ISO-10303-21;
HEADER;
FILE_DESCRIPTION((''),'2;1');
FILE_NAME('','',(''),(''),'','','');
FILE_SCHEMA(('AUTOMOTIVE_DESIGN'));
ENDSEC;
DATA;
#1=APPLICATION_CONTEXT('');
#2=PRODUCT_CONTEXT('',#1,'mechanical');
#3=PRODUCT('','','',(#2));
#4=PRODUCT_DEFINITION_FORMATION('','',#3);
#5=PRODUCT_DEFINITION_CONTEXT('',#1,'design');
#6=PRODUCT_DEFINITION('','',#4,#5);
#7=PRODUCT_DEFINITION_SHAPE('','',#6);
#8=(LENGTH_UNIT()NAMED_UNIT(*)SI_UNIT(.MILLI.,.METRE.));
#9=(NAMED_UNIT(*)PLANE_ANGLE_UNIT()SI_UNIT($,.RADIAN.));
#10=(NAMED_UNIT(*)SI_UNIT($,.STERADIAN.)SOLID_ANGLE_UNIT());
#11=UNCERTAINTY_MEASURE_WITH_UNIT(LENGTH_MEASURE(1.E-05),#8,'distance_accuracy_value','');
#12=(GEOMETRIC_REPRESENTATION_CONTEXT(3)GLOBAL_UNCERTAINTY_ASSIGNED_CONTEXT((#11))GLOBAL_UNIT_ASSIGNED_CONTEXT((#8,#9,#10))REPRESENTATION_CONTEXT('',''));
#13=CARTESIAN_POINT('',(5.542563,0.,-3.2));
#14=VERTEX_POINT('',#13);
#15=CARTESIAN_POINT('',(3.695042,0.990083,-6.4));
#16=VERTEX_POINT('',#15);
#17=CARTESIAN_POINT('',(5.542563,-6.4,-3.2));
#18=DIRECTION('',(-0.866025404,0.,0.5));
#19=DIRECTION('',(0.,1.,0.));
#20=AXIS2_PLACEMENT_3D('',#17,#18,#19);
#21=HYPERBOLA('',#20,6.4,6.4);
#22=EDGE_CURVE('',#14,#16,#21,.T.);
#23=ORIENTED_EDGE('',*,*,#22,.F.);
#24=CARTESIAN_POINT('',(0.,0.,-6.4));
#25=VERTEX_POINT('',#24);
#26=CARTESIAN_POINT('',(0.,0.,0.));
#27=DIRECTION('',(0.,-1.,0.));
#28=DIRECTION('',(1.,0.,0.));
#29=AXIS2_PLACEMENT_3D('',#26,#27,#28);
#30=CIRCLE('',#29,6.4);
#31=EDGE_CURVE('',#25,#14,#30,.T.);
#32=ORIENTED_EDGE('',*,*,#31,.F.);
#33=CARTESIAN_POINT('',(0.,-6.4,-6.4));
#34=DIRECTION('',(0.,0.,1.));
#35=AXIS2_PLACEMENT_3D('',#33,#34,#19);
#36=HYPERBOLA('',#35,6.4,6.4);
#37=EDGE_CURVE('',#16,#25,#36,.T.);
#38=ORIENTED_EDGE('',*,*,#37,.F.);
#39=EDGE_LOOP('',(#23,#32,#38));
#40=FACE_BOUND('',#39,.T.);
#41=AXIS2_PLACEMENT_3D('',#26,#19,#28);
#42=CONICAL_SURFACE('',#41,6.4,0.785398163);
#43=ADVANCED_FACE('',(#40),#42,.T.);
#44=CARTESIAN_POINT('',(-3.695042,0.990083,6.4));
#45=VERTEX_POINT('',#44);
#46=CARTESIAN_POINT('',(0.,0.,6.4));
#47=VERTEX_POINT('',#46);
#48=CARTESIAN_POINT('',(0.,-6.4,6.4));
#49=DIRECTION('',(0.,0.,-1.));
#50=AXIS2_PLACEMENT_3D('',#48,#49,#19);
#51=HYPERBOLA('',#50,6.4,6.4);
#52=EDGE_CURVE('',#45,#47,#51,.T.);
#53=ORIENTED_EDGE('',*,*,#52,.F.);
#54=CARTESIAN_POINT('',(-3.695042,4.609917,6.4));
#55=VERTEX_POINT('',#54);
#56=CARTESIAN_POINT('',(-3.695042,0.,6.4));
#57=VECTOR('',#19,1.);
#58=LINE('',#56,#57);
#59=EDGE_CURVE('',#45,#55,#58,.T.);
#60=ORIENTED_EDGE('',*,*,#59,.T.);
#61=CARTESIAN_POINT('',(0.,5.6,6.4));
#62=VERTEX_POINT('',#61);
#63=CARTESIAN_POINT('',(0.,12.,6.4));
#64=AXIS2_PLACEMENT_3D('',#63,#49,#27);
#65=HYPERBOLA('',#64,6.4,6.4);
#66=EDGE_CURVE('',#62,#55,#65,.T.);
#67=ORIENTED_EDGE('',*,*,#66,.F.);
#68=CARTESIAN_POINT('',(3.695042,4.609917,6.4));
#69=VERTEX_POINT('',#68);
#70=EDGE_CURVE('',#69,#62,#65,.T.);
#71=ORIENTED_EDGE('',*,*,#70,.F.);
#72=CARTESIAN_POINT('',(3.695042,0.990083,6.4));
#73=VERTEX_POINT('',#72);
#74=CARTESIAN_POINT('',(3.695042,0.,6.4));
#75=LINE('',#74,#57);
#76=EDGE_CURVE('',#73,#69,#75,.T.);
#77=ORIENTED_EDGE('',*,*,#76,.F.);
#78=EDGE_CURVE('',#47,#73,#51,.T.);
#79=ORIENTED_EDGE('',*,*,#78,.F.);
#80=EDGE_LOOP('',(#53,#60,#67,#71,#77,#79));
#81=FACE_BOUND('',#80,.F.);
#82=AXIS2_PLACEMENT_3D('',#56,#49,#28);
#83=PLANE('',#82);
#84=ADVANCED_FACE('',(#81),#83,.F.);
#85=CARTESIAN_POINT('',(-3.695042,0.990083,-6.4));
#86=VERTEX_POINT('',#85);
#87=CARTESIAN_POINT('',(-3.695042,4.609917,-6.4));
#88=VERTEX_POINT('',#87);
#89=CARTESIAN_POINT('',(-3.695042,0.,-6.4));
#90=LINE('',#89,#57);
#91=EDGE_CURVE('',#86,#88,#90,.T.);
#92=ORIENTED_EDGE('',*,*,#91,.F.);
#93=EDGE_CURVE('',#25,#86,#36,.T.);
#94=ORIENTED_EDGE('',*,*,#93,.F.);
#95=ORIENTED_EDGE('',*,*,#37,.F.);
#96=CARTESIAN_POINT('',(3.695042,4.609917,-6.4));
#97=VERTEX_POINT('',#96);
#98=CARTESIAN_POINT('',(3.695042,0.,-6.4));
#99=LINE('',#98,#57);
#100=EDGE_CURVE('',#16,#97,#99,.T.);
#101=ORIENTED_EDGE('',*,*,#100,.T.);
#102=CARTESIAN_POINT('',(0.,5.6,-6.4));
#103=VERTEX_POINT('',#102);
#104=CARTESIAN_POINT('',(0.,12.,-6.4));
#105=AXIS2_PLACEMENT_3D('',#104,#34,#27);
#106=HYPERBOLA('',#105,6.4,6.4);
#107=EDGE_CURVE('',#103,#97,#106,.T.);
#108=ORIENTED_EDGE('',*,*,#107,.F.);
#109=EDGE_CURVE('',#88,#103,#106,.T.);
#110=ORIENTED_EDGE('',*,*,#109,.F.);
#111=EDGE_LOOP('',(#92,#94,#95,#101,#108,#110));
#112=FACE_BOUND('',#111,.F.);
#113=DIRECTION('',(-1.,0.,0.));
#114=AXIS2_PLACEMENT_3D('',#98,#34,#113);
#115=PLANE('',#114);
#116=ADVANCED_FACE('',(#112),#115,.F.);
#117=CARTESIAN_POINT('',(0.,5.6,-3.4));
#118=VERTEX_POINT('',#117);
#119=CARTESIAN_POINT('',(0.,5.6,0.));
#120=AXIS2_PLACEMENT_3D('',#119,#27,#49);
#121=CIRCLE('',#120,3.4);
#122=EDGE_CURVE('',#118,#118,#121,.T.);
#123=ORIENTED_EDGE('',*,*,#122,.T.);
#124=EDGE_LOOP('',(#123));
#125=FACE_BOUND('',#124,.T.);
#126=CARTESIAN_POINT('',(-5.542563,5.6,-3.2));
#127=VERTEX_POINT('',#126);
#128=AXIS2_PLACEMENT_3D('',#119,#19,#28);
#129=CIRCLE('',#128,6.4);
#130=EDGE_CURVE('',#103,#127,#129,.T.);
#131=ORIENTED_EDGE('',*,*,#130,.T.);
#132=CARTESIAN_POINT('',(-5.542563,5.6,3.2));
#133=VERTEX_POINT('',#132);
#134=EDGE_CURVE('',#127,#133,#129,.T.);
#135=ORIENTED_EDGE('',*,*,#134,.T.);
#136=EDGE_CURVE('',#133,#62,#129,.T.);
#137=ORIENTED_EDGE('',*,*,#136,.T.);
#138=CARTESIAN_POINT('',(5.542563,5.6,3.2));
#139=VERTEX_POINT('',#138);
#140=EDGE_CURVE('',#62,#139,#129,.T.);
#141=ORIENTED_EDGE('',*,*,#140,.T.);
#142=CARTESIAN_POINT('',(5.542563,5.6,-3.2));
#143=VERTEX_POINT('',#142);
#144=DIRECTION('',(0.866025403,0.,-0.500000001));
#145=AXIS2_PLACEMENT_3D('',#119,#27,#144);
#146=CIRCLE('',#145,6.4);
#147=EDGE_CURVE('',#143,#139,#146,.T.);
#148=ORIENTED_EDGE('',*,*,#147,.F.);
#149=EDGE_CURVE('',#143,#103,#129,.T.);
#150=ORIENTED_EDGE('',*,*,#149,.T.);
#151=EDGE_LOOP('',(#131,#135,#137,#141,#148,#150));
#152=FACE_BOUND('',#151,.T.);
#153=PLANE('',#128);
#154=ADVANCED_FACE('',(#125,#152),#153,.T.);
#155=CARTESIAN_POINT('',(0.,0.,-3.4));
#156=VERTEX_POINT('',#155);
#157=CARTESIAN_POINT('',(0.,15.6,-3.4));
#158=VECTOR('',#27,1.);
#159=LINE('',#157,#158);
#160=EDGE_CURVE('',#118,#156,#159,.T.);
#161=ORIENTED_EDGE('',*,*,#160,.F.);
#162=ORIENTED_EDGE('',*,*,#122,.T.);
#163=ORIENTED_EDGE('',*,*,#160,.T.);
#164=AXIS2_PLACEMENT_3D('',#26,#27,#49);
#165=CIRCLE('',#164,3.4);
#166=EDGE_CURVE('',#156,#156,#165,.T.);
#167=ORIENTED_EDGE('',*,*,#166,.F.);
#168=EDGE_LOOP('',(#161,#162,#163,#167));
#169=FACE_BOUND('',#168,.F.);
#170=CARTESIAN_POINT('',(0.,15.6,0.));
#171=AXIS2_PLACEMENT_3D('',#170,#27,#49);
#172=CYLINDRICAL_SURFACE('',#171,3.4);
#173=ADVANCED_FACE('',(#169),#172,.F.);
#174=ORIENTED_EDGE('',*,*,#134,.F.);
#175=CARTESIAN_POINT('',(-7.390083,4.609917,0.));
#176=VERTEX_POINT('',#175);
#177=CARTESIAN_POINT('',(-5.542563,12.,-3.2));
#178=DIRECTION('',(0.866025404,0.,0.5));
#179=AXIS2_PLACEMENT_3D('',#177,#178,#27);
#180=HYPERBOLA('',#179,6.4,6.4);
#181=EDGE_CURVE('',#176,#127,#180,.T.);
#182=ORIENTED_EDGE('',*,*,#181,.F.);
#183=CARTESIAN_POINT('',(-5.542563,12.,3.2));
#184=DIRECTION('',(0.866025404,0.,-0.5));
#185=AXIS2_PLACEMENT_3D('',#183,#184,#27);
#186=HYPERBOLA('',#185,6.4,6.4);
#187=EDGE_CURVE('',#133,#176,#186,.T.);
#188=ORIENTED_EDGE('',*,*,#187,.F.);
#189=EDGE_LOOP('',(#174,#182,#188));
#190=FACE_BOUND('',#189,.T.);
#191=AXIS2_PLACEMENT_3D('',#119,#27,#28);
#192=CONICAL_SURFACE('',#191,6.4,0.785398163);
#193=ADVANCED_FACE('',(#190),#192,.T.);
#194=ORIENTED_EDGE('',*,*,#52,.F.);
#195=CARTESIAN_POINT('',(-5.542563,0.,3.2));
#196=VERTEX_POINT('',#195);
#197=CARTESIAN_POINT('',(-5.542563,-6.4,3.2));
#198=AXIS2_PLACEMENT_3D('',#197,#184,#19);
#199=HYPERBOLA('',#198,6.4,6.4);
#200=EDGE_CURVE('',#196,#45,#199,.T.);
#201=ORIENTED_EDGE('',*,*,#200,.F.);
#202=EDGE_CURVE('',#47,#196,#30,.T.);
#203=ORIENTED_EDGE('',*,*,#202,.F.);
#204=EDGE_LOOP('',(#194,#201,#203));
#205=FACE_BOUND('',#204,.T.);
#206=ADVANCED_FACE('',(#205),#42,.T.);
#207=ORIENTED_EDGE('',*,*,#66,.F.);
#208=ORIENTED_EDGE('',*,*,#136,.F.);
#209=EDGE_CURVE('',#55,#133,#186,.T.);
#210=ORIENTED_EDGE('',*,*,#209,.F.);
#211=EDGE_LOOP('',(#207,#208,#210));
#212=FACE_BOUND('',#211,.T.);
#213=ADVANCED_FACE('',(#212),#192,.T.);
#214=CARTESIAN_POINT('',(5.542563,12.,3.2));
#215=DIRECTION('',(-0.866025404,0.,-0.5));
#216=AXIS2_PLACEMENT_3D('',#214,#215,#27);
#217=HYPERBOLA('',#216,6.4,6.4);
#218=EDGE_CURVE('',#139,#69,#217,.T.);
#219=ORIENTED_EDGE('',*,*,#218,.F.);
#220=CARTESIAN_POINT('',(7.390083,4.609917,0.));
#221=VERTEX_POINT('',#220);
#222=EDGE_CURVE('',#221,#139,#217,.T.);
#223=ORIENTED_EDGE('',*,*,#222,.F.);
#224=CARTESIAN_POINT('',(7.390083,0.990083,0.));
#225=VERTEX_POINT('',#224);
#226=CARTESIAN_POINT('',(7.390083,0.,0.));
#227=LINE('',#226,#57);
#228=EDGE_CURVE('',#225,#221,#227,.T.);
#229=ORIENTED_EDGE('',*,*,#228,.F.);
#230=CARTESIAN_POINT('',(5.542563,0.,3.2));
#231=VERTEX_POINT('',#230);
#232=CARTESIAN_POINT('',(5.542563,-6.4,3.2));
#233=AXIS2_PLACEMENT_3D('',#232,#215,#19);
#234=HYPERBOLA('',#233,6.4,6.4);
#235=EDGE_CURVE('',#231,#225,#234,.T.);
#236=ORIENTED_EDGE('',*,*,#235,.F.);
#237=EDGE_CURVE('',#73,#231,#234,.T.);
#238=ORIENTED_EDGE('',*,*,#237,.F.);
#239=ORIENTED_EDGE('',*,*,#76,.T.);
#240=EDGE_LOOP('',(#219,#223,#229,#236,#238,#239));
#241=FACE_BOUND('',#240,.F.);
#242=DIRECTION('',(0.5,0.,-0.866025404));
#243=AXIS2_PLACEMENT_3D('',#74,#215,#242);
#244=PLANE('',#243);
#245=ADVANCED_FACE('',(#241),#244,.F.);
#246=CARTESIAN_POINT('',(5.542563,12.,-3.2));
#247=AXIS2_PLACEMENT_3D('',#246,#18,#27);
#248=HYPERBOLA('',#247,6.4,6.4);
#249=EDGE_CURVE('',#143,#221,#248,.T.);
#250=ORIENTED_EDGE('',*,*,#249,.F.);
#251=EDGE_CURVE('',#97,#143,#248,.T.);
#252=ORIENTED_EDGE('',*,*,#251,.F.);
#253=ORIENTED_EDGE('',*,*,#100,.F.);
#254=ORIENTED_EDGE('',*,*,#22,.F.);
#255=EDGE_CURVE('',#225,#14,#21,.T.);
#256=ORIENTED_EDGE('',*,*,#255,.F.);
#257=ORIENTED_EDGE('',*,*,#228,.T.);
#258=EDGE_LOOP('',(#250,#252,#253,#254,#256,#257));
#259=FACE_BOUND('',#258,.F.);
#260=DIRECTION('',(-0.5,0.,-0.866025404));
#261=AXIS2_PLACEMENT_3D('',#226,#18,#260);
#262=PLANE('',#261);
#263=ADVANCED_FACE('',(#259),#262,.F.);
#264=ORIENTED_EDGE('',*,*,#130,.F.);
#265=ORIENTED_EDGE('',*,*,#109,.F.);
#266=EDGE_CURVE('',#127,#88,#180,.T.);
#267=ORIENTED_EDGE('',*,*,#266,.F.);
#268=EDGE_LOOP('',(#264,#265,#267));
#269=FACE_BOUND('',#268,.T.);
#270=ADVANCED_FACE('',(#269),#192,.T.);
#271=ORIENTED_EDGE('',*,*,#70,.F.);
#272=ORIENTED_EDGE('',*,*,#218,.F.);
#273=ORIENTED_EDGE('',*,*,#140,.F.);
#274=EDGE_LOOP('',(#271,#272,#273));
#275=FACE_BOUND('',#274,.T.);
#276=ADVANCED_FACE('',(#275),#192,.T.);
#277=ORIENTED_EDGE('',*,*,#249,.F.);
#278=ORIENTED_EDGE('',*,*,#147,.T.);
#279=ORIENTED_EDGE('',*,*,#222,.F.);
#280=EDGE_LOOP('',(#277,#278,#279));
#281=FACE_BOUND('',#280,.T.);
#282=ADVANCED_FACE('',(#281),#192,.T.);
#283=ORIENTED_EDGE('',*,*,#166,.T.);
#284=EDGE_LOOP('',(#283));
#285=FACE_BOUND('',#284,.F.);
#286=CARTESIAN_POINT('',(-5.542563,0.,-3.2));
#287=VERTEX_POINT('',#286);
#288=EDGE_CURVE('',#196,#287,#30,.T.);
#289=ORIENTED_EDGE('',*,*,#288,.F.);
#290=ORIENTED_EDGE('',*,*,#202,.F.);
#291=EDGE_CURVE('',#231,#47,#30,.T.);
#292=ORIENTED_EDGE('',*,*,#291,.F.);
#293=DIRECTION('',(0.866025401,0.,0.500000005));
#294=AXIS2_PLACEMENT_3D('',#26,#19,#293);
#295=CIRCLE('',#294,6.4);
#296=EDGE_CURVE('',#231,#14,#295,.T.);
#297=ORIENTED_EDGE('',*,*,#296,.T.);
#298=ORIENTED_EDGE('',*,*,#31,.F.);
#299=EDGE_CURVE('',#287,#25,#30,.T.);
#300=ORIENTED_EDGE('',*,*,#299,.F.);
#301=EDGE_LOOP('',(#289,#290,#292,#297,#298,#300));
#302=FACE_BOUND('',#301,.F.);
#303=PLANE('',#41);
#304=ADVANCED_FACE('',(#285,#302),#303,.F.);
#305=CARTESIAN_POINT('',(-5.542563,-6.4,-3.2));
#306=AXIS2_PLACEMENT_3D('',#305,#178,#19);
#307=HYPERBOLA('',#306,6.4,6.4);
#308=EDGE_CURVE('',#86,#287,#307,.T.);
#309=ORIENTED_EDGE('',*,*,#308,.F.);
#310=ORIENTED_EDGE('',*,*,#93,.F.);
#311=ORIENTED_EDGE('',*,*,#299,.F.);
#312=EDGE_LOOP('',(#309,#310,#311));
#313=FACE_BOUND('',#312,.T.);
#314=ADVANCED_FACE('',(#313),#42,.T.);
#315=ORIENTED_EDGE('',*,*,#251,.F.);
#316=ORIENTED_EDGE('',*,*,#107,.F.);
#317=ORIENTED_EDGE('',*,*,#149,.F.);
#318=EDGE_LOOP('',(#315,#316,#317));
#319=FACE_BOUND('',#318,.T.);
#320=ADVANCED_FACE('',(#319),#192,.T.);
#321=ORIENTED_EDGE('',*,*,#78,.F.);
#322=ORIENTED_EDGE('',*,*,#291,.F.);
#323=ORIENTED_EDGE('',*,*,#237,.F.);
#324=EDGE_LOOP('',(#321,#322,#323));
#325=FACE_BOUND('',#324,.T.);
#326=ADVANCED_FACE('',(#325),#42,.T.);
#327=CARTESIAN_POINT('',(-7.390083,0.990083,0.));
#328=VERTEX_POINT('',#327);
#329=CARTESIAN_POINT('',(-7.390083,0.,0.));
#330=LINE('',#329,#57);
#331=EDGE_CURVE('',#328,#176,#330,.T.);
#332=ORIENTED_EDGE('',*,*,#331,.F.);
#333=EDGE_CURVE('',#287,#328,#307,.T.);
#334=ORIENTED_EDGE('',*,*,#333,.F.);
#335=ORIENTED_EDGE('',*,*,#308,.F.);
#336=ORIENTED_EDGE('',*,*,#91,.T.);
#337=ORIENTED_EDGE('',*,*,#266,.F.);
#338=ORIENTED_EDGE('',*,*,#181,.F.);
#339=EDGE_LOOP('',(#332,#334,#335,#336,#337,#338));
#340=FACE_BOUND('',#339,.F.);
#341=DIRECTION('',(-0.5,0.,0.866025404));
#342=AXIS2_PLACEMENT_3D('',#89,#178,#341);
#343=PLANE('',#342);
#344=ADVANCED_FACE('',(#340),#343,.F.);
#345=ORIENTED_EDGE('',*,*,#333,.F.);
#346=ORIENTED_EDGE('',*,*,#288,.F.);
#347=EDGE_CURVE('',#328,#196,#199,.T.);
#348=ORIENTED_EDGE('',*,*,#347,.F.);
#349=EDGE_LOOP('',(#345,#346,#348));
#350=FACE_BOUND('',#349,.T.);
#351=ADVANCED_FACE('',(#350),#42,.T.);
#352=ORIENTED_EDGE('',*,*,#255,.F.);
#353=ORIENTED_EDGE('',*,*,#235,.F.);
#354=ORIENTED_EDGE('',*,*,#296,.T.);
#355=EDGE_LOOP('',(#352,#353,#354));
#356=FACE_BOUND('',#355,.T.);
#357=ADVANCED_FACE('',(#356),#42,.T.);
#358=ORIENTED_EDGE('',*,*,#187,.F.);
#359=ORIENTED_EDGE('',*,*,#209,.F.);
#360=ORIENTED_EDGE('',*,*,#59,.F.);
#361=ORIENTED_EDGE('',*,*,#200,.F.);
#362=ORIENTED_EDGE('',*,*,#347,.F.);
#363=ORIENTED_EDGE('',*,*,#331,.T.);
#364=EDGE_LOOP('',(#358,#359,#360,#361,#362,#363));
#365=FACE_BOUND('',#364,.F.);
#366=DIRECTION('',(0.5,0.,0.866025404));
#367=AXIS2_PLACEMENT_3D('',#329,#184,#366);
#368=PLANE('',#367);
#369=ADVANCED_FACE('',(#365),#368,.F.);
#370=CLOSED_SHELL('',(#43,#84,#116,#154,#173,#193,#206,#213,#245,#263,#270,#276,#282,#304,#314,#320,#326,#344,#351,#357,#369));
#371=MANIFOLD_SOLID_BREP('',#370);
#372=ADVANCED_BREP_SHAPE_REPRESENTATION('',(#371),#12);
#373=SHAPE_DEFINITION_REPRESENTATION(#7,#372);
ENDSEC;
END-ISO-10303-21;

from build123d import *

# Parameters (mm, degrees)
EXTRUDE1_DEPTH                   = 5.6
SKETCH3_R                        = 12.424094019
SKETCH3_R_2                      = 6.4
EXTRUDE3_DEPTH                   = 6.1
EXTRUDE3_TAPER                   = 45
SKETCH4_R                        = 12.424094019
SKETCH4_R_2                      = 6.4
EXTRUDE4_DEPTH                   = 6.1
EXTRUDE4_DRAFT                   = -45
TAP_DRILL_FOR_M8X1_25_TAP1_D     = 6.8
TAP_DRILL_FOR_M8X1_25_TAP1_DEPTH = 10
TAP_DRILL_FOR_M8X1_25_TAP1_TIP   = 2.042926105


with BuildPart() as part:
    # Sketch1 → Extrude1 (new body)
    with BuildSketch(Plane(origin=(0, 0, 0), x_dir=(1, 0, 0), z_dir=(0, 1, 0))):
        Polygon((7.390083446, 0), (3.695041723, 6.4), (-3.695041723, 6.4), (-7.390083446, 0), (-3.695041723, -6.4), (3.695041723, -6.4), align=None)
    extrude(amount=EXTRUDE1_DEPTH)

    # Sketch3 → Extrude3 (cut)
    with BuildSketch(Plane(origin=(0, 5.6, 0), x_dir=(1, 0, 0), z_dir=(0, 1, 0))):
        Circle(SKETCH3_R)
        Circle(SKETCH3_R_2, mode=Mode.SUBTRACT)
    extrude(amount=-EXTRUDE3_DEPTH, taper=EXTRUDE3_TAPER, mode=Mode.SUBTRACT)


with BuildPart() as extrude4_tool:
    # Sketch4 → Extrude4 (with draft: the straight prism first)
    with BuildSketch(Plane.XZ):
        Circle(SKETCH4_R)
        Circle(SKETCH4_R_2, mode=Mode.SUBTRACT)
    extrude(amount=-EXTRUDE4_DEPTH)
    # Extrude4: the draft: its side faces are tilted about the plane it starts from
    extrude4_sides = [extrude4_tool.faces().sort_by_distance(p)[0] for p in [
        (-12.424094019, 3.05, 0),
        (-6.4, 3.05, 0),
    ]]
    draft(extrude4_sides, Plane.XZ, EXTRUDE4_DRAFT)


with BuildPart() as part_1:
    add(part.part)

    # Extrude4: cut by extrude4_tool
    add(extrude4_tool.part, mode=Mode.SUBTRACT)

    # Tap Drill for M8x1.25 Tap1
    with Locations(Plane.ZX.offset(5.6)):
        with Locations((0, 0)):
            Hole(TAP_DRILL_FOR_M8X1_25_TAP1_D / 2, depth=TAP_DRILL_FOR_M8X1_25_TAP1_DEPTH)
            with Locations((0, 0, -(TAP_DRILL_FOR_M8X1_25_TAP1_DEPTH + TAP_DRILL_FOR_M8X1_25_TAP1_TIP / 2))):  # 118° drill point
                Cone(0, TAP_DRILL_FOR_M8X1_25_TAP1_D / 2, TAP_DRILL_FOR_M8X1_25_TAP1_TIP, mode=Mode.SUBTRACT)


solid = part_1.part
